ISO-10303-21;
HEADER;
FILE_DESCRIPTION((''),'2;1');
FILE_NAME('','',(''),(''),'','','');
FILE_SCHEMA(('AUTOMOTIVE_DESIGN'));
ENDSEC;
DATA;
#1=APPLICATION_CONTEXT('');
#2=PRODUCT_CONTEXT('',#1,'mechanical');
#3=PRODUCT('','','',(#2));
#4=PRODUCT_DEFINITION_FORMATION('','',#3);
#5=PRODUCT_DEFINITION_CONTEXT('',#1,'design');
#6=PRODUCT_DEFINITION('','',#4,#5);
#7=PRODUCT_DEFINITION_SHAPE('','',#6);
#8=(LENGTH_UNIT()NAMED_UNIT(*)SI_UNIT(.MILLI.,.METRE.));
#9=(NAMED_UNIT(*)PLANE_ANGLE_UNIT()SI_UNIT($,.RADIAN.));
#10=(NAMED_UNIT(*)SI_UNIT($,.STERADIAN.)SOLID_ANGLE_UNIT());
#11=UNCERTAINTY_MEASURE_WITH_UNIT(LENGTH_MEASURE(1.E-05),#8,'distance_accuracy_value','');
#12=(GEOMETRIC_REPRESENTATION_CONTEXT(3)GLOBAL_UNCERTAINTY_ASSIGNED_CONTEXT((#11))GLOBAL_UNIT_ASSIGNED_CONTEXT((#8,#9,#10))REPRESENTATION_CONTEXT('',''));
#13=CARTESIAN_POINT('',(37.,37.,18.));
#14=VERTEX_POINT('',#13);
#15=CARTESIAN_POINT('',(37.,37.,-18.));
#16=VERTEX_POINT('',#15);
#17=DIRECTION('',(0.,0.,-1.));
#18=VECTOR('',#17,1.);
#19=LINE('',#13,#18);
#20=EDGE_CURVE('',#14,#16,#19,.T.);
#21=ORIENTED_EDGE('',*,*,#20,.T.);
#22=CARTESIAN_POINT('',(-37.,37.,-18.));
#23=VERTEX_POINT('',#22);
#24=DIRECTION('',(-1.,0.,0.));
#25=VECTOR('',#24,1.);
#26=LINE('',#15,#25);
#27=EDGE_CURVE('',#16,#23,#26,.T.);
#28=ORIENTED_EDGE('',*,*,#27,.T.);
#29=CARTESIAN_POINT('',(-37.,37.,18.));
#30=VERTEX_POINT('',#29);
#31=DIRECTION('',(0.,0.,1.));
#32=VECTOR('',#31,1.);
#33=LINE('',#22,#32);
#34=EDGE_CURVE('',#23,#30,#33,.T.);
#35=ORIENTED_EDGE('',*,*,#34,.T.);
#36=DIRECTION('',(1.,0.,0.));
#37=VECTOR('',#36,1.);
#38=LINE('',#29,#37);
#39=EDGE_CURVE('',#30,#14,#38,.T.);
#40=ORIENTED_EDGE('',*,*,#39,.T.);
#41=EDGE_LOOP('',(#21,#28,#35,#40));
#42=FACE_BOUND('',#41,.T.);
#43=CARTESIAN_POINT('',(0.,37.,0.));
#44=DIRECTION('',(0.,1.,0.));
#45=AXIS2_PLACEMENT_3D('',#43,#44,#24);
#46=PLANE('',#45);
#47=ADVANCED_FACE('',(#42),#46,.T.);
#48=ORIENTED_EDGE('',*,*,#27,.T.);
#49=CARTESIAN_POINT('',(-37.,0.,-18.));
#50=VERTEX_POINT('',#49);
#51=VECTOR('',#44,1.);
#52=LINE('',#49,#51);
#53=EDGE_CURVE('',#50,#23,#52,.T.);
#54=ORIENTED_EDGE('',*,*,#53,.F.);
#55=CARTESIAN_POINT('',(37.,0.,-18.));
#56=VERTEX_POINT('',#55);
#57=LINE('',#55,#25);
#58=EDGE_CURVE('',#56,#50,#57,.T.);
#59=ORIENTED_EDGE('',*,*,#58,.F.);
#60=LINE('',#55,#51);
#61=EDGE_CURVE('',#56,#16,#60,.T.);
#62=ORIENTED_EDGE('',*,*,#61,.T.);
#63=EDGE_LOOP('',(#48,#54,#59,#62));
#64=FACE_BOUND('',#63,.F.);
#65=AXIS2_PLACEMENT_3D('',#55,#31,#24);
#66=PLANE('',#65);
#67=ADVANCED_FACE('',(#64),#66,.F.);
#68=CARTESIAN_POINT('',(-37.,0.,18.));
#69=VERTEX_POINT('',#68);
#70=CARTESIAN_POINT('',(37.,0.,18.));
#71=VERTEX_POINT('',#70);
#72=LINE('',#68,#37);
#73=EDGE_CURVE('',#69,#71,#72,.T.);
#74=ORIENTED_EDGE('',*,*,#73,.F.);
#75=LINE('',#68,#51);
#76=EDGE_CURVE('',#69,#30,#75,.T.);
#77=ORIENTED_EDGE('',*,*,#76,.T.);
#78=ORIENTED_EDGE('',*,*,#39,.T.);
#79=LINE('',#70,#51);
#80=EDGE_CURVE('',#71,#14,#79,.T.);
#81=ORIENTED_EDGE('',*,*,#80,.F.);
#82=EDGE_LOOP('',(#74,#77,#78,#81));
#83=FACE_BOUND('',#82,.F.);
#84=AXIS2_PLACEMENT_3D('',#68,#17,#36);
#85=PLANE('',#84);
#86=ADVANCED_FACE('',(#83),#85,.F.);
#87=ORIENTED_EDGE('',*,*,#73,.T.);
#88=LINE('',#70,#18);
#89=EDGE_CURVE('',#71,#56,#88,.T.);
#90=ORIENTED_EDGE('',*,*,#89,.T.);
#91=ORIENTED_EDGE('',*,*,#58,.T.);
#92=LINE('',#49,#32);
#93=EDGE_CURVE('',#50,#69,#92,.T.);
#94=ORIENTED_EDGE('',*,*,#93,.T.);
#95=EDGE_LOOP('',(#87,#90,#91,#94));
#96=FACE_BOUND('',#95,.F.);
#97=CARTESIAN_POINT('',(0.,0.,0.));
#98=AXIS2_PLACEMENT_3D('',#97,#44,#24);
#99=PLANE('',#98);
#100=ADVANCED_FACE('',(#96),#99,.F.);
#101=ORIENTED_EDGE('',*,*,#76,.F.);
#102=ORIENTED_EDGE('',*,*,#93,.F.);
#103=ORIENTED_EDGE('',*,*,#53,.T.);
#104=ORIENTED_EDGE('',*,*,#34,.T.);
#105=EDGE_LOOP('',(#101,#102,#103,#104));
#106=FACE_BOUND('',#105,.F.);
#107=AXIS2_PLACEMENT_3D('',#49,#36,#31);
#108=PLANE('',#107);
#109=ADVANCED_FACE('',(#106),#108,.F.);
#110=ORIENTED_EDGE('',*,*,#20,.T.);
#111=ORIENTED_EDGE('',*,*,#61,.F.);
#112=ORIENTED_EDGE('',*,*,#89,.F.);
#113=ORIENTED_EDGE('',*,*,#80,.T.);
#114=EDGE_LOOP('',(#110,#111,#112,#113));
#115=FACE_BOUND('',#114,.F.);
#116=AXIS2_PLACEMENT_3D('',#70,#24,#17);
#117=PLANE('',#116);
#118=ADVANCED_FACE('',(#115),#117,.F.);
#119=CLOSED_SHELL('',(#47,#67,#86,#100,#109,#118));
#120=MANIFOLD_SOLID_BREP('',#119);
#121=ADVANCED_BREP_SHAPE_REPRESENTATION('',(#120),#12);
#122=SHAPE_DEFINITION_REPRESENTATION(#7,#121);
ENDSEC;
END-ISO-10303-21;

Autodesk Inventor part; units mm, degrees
ref_plane "YZ Plane" through (0, 0, 0) normal (1, 0, 0) x (0, 1, 0)
ref_plane "XZ Plane" through (0, 0, 0) normal (0, 1, 0) x (-1, 0, 0)
ref_plane "XY Plane" through (0, 0, 0) normal (0, 0, 1) x (1, 0, 0)
sketch "Szkic1" plane through (0, 0, 0) normal (0, 1, 0) x (-1, 0, 0)
  line L0 (37, 18) -> (-37, 18)
  line L1 (-37, 18) -> (-37, -18)
  line L2 (-37, -18) -> (37, -18)
  line L3 (37, -18) -> (37, 18)
  point P0 (0, 0)
  dimension "d0" = 74
  dimension "d1" = 36
  dimension "d2" = 18
  dimension "d3" = 37
extrude "Wyciągnięcie proste1" add sketch "Szkic1" along normal blind 37
properties part number "Bateria_22V2"
